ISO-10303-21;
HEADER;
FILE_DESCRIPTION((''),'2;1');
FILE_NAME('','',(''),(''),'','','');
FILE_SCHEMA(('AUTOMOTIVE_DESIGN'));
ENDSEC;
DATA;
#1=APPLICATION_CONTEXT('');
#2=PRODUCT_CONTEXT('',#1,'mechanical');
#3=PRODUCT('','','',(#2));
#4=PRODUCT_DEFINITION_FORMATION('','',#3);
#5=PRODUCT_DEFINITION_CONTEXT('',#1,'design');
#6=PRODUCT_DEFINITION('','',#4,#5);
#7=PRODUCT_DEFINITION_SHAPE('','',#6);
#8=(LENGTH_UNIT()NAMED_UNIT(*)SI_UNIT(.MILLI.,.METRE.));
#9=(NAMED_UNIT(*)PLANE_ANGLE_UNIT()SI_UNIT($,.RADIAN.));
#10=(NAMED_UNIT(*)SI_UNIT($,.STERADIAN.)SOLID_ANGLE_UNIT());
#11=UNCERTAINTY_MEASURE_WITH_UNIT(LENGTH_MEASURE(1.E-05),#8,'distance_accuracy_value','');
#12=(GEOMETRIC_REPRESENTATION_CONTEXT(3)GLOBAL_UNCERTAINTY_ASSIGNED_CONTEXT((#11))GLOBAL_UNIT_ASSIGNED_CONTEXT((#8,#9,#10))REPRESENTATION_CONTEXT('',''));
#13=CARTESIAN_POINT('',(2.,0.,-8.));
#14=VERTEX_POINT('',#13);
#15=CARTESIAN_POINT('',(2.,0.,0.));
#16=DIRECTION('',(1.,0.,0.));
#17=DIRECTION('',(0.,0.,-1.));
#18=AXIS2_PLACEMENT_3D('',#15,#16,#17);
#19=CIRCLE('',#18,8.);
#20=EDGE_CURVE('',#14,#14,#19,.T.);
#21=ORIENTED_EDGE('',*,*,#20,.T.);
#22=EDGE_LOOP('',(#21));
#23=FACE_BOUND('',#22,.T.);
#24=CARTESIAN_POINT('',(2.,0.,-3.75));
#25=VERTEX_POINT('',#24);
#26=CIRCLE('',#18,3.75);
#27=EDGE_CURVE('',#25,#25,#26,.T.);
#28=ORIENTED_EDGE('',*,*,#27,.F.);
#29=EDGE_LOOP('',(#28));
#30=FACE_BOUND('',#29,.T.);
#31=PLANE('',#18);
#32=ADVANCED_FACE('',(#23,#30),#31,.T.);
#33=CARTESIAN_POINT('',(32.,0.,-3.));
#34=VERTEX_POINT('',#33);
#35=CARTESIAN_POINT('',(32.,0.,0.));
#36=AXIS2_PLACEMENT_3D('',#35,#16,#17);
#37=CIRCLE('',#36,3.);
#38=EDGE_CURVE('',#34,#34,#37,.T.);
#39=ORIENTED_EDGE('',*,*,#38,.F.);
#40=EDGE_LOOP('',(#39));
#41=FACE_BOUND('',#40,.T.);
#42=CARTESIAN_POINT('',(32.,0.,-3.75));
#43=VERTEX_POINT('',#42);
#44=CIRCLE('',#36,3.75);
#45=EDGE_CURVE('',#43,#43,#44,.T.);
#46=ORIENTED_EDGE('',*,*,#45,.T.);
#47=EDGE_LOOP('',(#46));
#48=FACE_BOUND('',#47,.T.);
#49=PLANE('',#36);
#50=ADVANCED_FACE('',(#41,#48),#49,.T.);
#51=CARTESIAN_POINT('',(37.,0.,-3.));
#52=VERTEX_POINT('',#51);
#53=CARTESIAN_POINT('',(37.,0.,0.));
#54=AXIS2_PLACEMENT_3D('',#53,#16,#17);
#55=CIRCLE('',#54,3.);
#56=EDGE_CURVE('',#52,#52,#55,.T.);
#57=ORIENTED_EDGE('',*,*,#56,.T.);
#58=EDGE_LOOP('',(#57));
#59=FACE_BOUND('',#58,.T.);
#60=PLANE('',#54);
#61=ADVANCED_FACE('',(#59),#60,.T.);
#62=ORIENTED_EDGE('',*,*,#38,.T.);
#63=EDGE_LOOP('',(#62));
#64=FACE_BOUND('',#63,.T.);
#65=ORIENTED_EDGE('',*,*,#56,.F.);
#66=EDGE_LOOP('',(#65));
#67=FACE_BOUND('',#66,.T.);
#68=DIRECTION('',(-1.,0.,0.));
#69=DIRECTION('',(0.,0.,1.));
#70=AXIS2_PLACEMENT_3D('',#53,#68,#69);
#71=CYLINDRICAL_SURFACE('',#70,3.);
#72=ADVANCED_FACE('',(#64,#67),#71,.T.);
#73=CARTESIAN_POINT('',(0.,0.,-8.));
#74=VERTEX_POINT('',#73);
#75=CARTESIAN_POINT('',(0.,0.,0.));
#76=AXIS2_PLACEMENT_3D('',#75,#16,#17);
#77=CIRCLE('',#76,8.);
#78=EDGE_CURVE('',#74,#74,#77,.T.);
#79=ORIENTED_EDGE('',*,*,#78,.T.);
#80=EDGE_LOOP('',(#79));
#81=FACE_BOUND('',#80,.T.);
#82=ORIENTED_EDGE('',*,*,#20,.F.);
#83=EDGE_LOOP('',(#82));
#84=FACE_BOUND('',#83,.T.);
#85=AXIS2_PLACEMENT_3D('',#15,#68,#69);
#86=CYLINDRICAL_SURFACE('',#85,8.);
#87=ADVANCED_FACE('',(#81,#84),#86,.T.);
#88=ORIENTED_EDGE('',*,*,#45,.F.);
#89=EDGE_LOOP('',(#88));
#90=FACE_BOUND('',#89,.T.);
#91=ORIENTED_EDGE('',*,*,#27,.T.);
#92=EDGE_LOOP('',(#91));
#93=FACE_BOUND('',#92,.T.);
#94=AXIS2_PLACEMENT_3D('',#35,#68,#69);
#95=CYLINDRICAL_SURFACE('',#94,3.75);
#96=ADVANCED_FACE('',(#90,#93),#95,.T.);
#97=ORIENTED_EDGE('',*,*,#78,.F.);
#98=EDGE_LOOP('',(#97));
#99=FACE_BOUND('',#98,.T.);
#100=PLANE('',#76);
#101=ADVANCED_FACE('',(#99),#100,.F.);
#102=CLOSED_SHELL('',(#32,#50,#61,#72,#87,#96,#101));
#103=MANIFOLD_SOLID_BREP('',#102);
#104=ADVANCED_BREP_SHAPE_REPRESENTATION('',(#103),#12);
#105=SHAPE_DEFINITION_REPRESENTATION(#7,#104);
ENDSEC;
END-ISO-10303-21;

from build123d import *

# Parameters (mm, degrees)
CROQUIS1_R              = 8
SALIENTE_EXTRUIR1_DEPTH = 2
CROQUIS2_R              = 3.75
SALIENTE_EXTRUIR2_DEPTH = 30
CROQUIS3_R              = 3
SALIENTE_EXTRUIR3_DEPTH = 5


with BuildPart() as part:
    # Croquis1 → Saliente-Extruir1 (new body)
    with BuildSketch(Plane(origin=(0, 0, 0), x_dir=(0, 0, -1), z_dir=(1, 0, 0))):
        Circle(CROQUIS1_R)
    extrude(amount=SALIENTE_EXTRUIR1_DEPTH)

    # Croquis2 → Saliente-Extruir2 (add)
    with BuildSketch(Plane(origin=(2, 0, 0), x_dir=(0, 0, -1), z_dir=(1, 0, 0))):
        Circle(CROQUIS2_R)
    extrude(amount=SALIENTE_EXTRUIR2_DEPTH)

    # Croquis3 → Saliente-Extruir3 (add)
    with BuildSketch(Plane(origin=(32, 0, 0), x_dir=(0, 0, -1), z_dir=(1, 0, 0))):
        Circle(CROQUIS3_R)
    extrude(amount=SALIENTE_EXTRUIR3_DEPTH)


solid = part.part
